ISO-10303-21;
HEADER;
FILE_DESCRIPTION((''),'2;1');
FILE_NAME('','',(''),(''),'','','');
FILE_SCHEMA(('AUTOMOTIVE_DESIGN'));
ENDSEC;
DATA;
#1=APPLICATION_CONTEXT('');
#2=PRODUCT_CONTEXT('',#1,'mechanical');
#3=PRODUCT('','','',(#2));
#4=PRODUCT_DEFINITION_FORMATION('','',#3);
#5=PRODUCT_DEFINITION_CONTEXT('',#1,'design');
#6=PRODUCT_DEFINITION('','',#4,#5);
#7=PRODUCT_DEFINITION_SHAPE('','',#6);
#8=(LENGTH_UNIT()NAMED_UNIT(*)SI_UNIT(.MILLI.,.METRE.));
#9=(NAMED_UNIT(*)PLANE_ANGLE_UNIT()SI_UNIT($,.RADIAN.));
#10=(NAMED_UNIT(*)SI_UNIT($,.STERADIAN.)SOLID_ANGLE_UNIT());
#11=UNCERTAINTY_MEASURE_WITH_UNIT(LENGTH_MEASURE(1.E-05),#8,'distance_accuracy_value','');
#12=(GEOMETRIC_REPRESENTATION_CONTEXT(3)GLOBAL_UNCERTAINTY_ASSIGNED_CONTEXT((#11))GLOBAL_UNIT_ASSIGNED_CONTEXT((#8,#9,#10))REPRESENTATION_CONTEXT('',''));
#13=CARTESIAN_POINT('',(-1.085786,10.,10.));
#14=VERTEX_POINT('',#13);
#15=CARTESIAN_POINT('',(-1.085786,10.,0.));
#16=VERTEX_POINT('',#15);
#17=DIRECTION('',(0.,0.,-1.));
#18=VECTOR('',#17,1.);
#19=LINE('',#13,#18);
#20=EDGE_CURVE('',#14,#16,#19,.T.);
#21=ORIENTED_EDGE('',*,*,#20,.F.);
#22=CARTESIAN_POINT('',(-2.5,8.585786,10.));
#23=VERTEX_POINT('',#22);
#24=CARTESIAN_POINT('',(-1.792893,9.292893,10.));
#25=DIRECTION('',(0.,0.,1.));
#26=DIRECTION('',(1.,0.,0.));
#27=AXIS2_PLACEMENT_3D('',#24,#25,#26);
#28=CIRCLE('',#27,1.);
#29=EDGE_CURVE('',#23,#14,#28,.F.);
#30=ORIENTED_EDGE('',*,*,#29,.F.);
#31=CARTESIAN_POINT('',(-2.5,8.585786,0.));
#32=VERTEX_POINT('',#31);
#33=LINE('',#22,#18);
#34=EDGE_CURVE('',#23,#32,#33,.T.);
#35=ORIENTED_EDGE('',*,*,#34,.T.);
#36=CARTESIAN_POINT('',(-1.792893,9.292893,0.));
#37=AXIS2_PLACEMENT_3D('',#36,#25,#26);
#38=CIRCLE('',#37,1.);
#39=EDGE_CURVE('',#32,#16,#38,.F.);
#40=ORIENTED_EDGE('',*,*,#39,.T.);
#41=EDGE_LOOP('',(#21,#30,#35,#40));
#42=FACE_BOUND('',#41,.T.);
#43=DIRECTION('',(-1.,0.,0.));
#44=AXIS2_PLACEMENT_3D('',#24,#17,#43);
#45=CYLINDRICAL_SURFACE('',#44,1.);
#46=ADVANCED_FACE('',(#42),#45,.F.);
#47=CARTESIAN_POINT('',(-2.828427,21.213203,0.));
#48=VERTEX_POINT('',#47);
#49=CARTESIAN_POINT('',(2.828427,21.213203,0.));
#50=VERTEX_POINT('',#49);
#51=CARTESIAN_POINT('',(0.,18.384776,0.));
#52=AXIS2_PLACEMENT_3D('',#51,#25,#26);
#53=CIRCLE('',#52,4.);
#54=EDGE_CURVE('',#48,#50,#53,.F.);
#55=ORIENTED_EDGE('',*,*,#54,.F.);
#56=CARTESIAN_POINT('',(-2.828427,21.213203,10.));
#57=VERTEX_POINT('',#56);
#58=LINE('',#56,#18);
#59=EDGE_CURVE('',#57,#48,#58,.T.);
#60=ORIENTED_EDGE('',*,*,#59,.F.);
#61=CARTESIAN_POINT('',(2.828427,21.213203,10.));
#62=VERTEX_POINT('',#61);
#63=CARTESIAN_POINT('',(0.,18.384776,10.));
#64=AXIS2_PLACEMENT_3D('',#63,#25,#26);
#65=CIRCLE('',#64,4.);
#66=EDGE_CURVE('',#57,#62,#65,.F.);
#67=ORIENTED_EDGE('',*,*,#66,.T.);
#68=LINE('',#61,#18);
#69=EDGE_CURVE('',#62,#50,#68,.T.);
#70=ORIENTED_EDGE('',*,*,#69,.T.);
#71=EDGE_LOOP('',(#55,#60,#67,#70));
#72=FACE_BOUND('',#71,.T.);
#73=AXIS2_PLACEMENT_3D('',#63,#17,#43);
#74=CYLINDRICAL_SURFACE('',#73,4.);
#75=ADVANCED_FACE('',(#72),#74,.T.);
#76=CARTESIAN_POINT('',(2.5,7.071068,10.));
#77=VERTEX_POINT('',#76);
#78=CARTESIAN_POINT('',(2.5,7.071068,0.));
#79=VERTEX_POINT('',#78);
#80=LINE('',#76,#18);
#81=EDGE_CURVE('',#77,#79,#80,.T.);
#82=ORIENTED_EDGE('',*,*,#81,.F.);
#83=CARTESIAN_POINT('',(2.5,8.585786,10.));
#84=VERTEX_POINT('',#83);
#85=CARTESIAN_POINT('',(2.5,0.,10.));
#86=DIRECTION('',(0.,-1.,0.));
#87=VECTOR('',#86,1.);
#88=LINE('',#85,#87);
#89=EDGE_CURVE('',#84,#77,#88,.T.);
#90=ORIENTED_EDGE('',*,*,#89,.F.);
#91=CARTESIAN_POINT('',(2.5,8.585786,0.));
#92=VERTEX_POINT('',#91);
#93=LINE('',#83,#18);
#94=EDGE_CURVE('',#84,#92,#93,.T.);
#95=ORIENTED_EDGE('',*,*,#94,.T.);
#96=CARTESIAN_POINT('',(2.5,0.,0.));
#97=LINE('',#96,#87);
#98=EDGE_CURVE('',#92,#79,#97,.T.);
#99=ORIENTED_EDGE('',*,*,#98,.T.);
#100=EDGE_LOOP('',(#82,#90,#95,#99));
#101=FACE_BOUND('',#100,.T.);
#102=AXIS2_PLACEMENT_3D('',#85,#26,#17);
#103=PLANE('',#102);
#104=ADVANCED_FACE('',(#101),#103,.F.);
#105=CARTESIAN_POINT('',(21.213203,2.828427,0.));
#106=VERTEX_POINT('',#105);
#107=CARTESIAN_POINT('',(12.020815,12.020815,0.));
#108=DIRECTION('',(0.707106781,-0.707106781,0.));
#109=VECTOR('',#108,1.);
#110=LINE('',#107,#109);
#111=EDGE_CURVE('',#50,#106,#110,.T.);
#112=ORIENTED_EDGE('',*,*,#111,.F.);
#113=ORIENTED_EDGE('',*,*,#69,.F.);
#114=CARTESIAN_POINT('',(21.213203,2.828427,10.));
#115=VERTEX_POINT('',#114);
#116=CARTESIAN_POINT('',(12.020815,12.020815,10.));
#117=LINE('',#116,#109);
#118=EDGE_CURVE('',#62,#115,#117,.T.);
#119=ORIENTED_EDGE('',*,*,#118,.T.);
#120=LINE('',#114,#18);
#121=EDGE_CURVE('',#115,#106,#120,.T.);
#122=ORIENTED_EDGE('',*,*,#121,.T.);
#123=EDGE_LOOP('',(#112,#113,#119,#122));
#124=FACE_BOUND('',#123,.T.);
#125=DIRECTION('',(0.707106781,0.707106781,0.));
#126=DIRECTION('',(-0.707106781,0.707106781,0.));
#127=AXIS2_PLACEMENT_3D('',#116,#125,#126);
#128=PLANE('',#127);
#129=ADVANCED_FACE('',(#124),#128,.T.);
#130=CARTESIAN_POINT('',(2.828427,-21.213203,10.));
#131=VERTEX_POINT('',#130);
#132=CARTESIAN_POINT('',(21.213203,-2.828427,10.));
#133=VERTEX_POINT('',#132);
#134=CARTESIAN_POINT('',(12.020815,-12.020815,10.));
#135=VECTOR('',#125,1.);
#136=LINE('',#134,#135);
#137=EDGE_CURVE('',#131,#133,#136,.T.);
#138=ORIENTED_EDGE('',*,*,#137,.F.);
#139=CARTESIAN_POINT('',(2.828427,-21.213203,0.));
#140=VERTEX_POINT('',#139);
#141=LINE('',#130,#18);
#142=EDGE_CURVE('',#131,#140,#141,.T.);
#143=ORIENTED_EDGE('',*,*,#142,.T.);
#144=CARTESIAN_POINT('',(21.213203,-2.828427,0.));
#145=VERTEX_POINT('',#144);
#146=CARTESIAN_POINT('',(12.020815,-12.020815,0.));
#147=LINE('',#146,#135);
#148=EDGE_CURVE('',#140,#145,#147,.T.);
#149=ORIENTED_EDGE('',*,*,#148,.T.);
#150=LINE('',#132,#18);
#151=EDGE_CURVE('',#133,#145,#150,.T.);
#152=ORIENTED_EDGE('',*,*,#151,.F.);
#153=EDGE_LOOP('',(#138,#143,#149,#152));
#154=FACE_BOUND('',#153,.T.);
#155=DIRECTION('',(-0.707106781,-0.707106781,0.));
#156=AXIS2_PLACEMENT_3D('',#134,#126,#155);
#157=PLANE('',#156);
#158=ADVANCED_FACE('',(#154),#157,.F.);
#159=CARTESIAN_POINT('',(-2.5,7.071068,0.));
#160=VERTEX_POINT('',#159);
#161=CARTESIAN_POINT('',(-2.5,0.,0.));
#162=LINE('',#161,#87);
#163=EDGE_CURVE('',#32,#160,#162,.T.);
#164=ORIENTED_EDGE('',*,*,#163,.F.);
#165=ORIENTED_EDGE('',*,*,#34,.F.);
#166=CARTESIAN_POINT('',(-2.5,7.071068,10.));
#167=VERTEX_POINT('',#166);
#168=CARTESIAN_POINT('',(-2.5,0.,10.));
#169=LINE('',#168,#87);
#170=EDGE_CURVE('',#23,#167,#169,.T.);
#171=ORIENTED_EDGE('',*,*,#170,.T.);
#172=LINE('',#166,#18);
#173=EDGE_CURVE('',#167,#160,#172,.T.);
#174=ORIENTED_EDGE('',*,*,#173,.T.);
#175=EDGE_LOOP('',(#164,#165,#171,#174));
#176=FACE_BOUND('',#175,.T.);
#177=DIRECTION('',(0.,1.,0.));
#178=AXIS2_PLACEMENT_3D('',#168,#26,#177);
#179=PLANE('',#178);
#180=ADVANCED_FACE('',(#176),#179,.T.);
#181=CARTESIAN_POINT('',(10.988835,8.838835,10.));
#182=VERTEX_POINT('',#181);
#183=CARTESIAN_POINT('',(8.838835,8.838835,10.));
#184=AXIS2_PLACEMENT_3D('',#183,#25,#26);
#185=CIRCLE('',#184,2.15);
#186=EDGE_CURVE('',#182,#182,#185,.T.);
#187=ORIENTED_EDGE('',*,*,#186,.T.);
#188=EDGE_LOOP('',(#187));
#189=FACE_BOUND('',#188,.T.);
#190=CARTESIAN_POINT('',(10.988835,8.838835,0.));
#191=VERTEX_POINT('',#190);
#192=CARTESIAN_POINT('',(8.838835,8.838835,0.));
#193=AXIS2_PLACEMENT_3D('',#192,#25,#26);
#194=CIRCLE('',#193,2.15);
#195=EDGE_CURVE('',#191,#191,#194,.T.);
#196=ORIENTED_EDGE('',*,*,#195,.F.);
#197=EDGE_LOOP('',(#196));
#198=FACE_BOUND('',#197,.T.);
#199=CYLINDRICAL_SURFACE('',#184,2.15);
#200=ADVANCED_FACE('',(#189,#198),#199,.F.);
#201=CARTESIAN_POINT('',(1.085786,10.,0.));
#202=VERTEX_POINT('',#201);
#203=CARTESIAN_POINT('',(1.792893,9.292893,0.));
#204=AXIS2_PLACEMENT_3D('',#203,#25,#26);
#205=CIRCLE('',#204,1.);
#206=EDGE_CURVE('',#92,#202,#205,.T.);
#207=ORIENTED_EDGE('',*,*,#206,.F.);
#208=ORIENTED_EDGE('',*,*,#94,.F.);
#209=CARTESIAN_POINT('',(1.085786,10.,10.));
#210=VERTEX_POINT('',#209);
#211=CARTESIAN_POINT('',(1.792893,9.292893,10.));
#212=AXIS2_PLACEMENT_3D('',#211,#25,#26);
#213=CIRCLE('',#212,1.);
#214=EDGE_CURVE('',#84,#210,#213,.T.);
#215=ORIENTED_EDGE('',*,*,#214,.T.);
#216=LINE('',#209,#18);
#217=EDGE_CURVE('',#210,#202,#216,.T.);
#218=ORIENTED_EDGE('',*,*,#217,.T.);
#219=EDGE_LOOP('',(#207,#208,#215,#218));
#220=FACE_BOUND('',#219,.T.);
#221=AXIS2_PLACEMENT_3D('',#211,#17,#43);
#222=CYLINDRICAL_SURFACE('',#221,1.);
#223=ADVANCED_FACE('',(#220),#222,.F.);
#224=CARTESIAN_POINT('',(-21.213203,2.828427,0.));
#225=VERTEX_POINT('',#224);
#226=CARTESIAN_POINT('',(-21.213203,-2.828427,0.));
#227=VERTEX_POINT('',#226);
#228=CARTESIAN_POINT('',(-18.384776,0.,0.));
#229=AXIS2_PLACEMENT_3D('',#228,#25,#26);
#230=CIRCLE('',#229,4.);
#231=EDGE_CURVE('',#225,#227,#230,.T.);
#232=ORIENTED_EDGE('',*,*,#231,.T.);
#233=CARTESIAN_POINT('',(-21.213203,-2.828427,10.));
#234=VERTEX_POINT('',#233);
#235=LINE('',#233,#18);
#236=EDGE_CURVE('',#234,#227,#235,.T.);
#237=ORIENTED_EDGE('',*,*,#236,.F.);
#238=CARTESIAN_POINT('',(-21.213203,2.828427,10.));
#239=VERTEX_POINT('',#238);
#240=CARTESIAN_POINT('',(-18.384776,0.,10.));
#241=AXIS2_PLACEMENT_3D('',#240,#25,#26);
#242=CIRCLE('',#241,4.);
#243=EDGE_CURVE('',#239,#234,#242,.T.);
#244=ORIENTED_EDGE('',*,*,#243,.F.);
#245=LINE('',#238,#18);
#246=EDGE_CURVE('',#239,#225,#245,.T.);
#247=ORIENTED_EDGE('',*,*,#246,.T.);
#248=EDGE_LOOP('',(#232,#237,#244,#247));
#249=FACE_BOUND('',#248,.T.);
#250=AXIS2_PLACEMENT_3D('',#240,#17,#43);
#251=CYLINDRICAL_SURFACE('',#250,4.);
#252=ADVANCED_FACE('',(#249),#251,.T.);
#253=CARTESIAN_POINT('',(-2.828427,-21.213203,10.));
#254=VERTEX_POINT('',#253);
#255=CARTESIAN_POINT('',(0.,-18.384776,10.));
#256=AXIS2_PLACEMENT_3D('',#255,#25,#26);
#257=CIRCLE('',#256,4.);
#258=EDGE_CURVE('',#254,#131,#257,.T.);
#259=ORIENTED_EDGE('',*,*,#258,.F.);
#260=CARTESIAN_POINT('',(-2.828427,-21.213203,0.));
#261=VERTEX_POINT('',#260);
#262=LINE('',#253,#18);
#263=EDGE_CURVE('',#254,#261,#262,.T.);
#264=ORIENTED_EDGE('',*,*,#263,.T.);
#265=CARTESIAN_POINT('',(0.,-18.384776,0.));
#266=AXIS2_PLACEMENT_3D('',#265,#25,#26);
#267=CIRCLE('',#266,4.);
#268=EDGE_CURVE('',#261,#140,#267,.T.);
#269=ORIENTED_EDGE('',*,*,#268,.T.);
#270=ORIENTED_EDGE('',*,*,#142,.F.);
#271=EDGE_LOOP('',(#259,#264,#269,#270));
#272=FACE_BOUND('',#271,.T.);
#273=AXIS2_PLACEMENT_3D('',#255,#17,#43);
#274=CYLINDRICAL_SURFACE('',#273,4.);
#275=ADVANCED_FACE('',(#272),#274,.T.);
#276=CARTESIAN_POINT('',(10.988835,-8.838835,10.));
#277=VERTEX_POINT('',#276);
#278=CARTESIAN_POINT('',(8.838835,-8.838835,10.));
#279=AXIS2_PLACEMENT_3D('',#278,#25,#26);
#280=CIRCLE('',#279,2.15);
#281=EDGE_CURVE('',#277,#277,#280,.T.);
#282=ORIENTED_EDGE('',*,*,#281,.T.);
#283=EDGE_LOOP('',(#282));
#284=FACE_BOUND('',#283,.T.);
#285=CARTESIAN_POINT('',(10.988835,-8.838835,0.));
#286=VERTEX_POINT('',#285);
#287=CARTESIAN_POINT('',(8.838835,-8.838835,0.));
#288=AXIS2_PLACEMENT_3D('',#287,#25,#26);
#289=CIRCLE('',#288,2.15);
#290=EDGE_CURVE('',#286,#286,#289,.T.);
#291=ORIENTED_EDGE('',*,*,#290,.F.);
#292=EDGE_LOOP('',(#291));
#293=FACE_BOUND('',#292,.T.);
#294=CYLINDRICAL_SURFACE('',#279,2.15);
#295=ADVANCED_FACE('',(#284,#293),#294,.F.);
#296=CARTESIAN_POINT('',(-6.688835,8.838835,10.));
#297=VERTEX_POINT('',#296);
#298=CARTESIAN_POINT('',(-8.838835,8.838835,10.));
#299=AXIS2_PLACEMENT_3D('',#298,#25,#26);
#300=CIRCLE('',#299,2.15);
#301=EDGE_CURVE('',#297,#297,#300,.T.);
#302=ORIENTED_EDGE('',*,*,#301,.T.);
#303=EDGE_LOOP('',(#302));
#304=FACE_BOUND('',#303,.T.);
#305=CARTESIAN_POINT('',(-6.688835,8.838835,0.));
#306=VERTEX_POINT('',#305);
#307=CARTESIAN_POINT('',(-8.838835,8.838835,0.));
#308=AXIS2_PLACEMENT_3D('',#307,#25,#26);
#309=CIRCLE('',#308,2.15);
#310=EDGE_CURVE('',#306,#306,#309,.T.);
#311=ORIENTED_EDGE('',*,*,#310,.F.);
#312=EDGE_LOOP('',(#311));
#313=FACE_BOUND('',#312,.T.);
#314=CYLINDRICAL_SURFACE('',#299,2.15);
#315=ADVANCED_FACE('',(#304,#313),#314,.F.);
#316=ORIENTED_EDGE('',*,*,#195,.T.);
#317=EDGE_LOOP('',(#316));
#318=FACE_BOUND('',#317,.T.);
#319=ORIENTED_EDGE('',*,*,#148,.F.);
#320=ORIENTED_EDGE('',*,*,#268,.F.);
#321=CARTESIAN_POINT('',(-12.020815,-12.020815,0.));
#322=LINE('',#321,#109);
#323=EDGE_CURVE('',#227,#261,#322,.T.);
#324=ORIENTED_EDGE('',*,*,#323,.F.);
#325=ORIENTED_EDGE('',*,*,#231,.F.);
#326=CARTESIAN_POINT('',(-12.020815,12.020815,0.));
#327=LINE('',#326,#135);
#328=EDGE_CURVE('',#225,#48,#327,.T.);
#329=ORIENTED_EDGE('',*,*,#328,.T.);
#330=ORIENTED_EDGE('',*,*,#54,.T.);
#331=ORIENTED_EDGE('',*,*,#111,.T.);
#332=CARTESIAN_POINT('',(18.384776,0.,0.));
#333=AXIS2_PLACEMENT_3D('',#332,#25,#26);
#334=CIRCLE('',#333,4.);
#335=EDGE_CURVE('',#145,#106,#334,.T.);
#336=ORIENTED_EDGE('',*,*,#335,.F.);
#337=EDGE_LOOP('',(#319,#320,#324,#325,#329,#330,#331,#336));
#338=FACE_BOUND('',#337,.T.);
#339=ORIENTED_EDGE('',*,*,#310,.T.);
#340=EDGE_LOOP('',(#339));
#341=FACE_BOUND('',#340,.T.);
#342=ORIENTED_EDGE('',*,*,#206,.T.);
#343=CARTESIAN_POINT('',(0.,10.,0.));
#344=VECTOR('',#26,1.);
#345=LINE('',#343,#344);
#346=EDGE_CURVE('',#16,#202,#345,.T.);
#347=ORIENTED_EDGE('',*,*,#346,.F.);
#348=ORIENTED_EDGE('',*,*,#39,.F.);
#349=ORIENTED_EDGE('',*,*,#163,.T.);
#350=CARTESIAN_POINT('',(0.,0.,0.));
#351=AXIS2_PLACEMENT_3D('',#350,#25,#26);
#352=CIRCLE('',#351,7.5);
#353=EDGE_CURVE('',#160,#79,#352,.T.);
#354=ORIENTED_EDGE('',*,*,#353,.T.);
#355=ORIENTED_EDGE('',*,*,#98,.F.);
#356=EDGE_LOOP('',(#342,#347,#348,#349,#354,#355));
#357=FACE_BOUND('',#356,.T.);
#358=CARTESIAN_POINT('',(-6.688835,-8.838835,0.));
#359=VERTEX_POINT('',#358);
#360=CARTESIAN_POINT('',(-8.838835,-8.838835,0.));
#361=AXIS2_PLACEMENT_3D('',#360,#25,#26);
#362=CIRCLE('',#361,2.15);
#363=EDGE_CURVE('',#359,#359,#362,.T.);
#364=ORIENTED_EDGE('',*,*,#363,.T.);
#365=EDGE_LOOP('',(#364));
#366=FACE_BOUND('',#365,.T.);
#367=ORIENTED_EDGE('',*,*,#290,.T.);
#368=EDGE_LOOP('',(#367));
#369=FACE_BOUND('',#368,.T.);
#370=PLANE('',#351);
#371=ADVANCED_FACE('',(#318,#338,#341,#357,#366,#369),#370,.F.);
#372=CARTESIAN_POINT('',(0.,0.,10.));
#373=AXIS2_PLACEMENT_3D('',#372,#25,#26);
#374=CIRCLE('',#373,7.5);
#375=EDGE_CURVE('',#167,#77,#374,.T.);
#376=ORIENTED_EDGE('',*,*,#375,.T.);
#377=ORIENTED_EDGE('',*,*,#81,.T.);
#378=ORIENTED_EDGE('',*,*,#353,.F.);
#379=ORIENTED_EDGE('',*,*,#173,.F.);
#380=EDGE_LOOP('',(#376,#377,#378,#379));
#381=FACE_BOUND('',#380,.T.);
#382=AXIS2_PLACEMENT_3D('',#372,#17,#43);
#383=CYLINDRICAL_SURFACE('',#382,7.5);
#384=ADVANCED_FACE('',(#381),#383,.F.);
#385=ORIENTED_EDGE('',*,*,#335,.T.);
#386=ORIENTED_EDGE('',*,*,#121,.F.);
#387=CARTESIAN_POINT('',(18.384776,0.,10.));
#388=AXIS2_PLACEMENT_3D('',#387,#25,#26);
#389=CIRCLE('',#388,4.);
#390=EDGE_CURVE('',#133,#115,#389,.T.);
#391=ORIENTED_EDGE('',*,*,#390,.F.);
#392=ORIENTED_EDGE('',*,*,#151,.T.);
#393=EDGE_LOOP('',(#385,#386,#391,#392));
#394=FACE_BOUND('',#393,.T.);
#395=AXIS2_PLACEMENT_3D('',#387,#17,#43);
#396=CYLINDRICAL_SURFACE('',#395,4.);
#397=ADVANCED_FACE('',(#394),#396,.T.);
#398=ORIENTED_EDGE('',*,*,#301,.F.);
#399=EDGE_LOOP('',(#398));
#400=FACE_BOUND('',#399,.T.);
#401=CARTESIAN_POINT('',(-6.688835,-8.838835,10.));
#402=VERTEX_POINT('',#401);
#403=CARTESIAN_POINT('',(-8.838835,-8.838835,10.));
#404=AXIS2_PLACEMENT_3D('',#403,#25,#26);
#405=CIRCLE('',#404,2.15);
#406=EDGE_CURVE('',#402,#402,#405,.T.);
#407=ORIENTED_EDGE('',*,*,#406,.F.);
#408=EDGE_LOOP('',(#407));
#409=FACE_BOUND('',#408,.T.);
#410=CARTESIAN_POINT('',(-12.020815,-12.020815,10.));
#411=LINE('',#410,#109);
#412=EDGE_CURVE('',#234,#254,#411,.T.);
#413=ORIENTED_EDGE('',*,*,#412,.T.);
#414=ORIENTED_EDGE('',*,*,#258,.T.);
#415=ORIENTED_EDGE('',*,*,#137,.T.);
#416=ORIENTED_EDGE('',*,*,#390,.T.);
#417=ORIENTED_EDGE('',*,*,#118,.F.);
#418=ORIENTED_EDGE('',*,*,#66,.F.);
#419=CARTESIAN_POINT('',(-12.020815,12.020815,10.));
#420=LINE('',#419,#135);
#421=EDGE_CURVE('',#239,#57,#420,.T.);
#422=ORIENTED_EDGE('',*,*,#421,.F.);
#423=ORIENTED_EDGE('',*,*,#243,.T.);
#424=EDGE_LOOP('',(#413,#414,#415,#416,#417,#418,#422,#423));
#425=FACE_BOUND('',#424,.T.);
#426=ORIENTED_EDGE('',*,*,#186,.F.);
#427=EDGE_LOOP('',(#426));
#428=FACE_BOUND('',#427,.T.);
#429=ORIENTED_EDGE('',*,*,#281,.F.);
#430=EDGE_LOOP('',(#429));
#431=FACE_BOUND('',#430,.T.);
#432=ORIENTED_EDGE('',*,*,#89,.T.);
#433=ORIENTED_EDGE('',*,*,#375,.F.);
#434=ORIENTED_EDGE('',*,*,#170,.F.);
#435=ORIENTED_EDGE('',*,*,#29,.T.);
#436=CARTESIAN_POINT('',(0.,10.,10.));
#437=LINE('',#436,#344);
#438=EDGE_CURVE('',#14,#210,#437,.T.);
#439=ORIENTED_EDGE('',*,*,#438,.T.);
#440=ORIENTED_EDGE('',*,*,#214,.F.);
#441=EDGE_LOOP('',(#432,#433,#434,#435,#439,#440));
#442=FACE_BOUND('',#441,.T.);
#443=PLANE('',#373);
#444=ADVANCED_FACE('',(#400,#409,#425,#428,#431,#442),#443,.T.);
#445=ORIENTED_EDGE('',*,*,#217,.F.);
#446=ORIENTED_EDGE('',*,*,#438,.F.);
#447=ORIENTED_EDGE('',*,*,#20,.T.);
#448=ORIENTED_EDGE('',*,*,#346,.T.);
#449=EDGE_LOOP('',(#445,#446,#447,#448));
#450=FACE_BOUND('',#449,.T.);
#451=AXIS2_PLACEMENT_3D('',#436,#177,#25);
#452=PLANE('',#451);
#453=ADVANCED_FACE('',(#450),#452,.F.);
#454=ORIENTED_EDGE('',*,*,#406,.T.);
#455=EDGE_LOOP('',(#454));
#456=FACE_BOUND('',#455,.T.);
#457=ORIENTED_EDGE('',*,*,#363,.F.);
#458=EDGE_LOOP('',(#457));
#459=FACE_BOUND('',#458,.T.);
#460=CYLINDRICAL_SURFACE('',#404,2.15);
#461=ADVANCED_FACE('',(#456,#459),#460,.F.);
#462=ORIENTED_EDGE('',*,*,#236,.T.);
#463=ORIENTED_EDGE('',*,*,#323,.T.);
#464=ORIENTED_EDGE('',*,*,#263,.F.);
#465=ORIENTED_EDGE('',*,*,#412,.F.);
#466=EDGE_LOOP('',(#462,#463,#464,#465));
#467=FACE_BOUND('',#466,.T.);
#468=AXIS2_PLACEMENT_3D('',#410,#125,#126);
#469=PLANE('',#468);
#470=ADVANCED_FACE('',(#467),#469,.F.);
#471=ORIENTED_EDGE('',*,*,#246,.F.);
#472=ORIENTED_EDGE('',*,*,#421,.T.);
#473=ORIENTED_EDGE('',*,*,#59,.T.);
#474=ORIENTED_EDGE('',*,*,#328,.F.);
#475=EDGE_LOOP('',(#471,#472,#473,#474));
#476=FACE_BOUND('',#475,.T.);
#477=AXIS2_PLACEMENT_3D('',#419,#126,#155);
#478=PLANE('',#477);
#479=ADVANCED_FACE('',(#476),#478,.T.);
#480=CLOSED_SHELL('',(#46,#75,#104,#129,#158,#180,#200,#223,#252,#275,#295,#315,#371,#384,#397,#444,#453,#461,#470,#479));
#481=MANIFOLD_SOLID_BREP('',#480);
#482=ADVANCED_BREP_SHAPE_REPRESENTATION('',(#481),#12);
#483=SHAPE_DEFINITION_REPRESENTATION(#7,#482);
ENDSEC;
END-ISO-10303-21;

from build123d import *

# Parameters (mm, degrees)
EXTRUDE_1_DEPTH    = 10
HOLE_WIZARD_M4_1_D = 4.3


with BuildPart() as part:
    # ｽｹｯﾁ1 → ﾎﾞｽ - 押し出し1 (new body)
    with BuildSketch(Plane.XY):
        with BuildLine():
            Line((-21.213203436, -2.828427125), (-2.828427125, -21.213203436))
            ThreePointArc((-2.828427125, -21.213203436), (0, -22.384776311), (2.828427125, -21.213203436))
            Line((2.828427125, -21.213203436), (21.213203436, -2.828427125))
            ThreePointArc((21.213203436, -2.828427125), (22.384776311, 0), (21.213203436, 2.828427125))
            Line((21.213203436, 2.828427125), (2.828427125, 21.213203436))
            ThreePointArc((2.828427125, 21.213203436), (0, 22.384776311), (-2.828427125, 21.213203436))
            Line((-2.828427125, 21.213203436), (-21.213203436, 2.828427125))
            ThreePointArc((-21.213203436, 2.828427125), (-22.384776311, 0), (-21.213203436, -2.828427125))
        make_face()
        with BuildLine():
            Line((-2.5, 8.585786438), (-2.5, 7.071067812))
            ThreePointArc((-2.5, 7.071067812), (0, -7.5), (2.5, 7.071067812))
            Line((2.5, 7.071067812), (2.5, 8.585786438))
            ThreePointArc((2.5, 8.585786438), (2.5, 10), (1.085786438, 10))
            Line((1.085786438, 10), (-1.085786438, 10))
            ThreePointArc((-1.085786438, 10), (-2.5, 10), (-2.5, 8.585786438))
        make_face(mode=Mode.SUBTRACT)
    extrude(amount=EXTRUDE_1_DEPTH)

    # Hole Wizard M4 _1 (through all)
    with Locations(Plane(origin=(-8.838834765, 8.838834765, 10), x_dir=(1, 0, 0), z_dir=(0, 0, 1))):
        with Locations((0, 0), (17.67766953, 0), (17.67766953, -17.67766953), (0, -17.67766953)):
            Hole(HOLE_WIZARD_M4_1_D / 2)


solid = part.part
